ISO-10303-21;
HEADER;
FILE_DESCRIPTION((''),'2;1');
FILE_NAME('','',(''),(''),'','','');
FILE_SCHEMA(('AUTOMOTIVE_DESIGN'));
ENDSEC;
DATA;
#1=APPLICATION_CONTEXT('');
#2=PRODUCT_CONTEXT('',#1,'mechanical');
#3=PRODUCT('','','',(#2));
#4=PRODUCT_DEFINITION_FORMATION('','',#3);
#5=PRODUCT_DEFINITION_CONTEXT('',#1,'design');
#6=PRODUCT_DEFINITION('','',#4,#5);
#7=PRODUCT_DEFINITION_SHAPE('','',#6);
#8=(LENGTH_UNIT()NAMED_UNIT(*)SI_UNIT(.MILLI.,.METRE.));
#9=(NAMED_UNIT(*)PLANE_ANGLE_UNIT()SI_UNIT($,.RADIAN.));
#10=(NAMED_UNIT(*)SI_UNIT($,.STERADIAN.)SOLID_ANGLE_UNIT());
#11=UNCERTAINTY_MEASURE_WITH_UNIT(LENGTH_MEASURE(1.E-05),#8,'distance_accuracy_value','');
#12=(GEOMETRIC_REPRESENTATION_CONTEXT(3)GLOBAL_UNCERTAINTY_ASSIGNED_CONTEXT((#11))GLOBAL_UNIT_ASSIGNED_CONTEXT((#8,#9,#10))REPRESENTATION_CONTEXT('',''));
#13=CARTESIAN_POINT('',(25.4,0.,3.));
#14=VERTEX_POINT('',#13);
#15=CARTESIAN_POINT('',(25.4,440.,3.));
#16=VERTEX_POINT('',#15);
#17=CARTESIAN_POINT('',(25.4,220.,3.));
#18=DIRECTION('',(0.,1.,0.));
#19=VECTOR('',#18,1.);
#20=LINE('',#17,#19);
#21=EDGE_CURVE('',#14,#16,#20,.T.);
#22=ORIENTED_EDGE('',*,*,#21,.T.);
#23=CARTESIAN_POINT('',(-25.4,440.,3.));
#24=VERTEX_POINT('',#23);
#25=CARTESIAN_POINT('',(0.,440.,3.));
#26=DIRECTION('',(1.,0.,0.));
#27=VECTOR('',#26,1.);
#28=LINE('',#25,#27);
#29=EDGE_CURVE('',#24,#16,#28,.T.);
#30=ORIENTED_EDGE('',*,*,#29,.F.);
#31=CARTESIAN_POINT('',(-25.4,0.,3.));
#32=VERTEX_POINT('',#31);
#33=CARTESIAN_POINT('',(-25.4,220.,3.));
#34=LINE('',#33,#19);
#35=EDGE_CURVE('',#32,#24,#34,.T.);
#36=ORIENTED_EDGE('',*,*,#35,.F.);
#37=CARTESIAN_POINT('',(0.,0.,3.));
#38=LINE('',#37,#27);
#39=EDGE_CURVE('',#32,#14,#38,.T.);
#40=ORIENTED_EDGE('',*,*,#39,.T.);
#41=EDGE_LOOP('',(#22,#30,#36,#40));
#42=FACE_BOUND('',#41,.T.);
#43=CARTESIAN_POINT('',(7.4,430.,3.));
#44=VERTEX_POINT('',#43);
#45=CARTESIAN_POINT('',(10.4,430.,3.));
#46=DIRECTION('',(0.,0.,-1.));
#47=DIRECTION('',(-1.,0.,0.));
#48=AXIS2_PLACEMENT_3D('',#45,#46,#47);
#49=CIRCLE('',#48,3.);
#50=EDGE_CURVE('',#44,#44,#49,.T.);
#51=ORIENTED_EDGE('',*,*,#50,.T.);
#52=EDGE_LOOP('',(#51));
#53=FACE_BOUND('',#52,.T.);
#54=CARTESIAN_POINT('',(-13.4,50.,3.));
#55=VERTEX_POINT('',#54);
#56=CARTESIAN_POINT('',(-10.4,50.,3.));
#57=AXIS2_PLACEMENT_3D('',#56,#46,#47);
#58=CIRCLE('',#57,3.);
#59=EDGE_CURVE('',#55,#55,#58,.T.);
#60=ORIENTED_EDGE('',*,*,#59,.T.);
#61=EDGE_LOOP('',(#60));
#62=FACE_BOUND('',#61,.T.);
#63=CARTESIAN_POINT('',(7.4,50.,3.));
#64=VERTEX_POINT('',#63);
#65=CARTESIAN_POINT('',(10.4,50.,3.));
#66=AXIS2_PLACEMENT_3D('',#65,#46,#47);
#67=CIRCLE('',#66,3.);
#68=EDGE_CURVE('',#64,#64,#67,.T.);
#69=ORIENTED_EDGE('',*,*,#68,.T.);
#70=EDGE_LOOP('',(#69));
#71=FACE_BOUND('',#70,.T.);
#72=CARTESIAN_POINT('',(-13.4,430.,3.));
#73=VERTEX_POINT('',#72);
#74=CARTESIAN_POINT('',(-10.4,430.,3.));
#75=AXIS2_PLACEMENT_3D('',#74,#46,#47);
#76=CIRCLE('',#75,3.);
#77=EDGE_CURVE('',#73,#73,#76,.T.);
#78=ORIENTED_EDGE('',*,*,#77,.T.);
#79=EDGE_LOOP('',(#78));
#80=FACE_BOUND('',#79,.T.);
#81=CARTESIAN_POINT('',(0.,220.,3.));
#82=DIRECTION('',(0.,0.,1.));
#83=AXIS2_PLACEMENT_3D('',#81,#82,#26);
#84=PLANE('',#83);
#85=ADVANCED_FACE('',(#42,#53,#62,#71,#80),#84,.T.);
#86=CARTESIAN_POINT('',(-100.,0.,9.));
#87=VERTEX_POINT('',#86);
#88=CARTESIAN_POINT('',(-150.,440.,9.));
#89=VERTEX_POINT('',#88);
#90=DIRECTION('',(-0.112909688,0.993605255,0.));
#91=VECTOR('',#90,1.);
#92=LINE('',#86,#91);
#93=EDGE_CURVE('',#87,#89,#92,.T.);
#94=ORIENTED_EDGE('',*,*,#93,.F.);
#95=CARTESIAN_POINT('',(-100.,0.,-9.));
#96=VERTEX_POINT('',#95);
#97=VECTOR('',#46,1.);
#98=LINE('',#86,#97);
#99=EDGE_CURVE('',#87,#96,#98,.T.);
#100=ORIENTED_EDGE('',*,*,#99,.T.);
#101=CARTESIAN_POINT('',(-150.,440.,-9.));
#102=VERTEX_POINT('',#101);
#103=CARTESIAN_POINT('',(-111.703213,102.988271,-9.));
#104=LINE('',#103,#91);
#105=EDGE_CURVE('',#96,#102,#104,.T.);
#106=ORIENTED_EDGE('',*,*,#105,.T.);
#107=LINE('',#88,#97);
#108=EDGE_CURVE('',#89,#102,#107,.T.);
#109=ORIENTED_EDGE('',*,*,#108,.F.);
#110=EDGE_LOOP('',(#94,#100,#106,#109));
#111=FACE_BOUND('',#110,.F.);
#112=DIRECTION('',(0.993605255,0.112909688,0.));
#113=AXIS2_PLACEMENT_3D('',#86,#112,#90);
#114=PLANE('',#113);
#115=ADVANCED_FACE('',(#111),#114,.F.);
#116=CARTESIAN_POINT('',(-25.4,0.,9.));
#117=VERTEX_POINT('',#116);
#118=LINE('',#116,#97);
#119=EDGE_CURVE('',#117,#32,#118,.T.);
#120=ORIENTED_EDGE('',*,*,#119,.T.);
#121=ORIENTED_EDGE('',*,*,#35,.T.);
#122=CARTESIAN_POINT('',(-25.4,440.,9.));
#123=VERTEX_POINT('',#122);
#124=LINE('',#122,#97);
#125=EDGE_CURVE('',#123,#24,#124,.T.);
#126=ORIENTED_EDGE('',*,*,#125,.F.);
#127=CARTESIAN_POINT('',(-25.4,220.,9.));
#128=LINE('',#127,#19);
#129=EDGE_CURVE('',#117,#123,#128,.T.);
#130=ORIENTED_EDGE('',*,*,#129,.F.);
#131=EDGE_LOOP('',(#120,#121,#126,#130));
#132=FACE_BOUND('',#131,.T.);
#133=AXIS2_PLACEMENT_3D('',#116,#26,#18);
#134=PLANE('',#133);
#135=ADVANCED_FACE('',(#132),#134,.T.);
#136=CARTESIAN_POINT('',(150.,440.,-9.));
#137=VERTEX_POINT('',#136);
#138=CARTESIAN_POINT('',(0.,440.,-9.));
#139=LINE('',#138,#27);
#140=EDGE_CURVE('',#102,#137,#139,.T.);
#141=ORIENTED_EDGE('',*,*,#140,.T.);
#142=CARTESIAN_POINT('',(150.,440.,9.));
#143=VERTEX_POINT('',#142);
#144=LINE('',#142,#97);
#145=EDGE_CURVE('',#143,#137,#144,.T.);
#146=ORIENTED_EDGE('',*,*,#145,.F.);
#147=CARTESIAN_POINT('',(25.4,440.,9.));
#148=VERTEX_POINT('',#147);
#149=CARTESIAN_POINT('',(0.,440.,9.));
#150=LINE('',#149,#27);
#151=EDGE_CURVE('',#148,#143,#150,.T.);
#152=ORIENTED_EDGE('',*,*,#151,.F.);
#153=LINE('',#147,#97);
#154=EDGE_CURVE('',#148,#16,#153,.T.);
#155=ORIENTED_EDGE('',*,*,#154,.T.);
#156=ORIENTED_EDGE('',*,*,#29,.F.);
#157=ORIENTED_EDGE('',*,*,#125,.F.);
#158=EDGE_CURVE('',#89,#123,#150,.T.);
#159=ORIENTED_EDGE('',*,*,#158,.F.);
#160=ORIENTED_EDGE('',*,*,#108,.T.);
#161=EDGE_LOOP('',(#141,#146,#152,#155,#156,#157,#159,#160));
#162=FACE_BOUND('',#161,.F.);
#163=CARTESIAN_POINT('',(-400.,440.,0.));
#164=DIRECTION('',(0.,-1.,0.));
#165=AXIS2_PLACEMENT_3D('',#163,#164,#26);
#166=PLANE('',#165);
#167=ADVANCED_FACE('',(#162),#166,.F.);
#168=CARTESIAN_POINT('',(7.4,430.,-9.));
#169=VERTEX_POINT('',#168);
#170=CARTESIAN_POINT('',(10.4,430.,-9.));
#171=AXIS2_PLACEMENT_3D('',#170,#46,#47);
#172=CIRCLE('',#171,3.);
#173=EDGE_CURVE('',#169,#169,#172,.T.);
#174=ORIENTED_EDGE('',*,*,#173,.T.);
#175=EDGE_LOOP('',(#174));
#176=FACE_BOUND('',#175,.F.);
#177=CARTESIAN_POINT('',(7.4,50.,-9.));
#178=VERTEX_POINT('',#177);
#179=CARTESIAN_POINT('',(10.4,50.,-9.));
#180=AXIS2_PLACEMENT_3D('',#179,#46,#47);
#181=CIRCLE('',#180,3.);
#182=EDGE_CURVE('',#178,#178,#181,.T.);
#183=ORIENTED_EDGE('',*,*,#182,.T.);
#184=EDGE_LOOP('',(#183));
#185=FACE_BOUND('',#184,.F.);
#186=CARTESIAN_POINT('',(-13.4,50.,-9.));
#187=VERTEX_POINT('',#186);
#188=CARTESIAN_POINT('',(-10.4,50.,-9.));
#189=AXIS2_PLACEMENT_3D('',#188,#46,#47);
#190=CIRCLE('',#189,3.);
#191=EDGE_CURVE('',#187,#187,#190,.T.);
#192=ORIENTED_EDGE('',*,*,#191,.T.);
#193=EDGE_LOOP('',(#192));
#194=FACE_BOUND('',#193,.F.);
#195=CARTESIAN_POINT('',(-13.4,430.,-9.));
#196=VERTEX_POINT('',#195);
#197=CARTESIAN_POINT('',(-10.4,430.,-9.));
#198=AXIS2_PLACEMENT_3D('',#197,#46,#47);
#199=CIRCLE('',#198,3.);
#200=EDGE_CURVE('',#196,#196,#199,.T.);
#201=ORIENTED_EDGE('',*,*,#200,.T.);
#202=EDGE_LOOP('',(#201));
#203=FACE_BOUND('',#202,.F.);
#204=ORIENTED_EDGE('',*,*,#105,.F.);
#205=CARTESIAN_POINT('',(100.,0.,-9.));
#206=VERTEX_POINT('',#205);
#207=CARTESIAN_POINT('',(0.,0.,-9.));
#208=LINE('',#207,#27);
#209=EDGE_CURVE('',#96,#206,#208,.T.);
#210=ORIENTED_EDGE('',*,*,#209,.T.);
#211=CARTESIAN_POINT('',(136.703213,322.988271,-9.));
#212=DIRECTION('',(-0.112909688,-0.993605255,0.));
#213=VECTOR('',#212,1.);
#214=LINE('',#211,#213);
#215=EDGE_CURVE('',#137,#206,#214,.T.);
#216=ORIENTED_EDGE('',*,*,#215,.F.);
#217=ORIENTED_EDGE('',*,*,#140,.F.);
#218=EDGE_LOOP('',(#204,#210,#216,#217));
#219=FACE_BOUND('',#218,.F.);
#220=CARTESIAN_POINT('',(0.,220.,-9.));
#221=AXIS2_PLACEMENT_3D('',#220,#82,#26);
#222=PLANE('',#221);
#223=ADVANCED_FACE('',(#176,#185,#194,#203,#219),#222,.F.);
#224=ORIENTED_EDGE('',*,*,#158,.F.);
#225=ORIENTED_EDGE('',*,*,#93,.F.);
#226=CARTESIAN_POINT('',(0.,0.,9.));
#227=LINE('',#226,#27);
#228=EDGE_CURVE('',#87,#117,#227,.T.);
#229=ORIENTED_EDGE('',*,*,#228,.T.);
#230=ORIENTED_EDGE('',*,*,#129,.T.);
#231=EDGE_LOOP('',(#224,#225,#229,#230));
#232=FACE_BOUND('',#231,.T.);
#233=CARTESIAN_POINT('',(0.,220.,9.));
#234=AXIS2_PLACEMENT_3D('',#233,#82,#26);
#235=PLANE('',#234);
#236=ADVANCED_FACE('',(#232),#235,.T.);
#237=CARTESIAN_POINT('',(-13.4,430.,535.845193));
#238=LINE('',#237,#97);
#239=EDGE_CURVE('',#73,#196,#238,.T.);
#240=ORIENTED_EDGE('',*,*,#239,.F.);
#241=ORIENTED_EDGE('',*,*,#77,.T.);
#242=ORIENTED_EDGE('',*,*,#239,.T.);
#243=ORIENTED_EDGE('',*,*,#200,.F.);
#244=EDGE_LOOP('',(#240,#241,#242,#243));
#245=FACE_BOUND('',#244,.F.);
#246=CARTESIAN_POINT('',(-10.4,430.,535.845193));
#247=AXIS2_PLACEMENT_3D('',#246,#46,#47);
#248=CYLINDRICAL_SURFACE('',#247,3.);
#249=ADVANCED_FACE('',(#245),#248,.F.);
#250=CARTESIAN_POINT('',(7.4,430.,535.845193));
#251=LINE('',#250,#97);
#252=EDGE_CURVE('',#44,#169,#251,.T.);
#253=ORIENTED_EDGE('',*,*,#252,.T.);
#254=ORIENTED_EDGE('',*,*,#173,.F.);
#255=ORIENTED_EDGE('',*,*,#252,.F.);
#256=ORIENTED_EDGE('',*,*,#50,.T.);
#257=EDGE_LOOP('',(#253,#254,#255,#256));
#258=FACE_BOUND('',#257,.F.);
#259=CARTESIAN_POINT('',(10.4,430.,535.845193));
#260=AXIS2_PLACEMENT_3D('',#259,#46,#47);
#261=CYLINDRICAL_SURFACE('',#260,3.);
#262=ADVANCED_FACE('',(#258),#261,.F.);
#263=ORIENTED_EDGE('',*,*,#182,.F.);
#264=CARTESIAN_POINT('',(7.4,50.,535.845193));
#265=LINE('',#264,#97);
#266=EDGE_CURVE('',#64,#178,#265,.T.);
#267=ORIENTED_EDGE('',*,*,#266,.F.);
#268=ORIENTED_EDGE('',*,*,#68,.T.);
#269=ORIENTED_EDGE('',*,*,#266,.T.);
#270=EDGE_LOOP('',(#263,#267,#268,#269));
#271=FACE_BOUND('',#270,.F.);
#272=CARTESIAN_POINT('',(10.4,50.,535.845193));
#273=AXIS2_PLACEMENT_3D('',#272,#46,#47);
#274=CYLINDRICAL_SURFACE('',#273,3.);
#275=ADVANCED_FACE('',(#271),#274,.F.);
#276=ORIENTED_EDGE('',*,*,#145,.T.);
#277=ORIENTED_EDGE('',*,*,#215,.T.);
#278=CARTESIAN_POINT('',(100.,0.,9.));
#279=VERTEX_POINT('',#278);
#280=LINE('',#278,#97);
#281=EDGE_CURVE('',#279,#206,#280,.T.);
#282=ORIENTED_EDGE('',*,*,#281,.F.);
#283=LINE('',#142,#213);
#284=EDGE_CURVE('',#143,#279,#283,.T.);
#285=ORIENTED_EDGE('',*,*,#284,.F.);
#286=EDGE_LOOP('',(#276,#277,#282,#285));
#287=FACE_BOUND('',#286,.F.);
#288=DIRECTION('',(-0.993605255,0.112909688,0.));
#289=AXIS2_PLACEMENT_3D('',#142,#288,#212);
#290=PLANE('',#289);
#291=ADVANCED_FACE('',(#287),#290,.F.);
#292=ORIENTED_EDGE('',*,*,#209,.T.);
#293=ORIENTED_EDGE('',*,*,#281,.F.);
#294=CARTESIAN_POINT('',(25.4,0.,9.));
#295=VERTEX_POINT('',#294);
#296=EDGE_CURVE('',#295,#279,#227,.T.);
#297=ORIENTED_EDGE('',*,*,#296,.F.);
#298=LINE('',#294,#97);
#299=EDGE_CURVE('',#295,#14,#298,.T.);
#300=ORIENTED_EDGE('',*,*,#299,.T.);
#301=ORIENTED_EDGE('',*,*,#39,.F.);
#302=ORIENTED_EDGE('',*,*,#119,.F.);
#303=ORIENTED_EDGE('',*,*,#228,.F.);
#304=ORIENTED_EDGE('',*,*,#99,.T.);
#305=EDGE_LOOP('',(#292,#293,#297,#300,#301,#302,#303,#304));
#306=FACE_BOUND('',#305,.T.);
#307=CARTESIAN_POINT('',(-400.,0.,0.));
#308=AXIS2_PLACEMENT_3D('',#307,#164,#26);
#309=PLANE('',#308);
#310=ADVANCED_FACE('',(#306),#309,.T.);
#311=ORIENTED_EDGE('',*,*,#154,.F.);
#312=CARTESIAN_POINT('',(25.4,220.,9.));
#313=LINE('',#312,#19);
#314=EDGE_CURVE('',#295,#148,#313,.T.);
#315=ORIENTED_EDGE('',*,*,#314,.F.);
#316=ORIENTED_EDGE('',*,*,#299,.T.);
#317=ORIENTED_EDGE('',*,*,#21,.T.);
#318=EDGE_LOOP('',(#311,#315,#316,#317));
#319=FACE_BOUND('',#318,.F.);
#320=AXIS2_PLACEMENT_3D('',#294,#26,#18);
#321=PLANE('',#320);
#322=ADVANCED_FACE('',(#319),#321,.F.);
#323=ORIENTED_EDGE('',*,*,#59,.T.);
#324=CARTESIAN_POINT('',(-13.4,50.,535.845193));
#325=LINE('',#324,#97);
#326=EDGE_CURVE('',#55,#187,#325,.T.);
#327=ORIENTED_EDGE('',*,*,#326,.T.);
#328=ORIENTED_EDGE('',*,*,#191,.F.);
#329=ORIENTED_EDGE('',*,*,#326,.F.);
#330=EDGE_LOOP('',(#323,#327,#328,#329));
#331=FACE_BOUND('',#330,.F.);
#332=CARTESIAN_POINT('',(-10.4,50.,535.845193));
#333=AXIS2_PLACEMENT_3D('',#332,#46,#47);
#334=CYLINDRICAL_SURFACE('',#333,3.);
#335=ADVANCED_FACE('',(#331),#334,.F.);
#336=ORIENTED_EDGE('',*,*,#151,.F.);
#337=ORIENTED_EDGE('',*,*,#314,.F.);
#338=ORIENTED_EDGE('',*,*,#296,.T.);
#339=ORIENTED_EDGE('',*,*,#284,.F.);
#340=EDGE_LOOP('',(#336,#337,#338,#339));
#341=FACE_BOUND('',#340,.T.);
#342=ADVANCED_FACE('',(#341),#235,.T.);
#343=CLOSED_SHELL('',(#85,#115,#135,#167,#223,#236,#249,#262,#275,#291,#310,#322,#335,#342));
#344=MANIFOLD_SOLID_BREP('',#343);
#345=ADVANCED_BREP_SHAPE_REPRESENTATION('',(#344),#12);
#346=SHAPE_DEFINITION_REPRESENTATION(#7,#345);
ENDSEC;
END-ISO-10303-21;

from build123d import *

# Parameters (mm, degrees)
F0_W     = 800
F0_H     = 440
F1_DEPTH = 9
F3_DEPTH = 40
F4_W     = 50.8
F4_H     = 440
F5_DEPTH = 6
F7_D     = 6


with BuildPart() as f1:
    # F0 (on Top) → F1 (new body, symmetric)
    with BuildSketch(Plane.XY):
        with Locations((0, 220)):
            Rectangle(F0_W, F0_H)
    extrude(amount=F1_DEPTH, both=True)

    # F2 (on face) → F3 (cut)
    with BuildSketch(Plane.XY.offset(9)):
        Polygon((-400, 0), (-100, 0), (-150, 440), (-400, 440), align=None)
        Polygon((150, 440), (100, 0), (400, 0), (400, 440), align=None)
    extrude(amount=-F3_DEPTH, mode=Mode.SUBTRACT)

    # F4 (on face) → F5 (cut)
    with BuildSketch(Plane.XY.offset(9)):
        with Locations((0, 220)):
            Rectangle(F4_W, F4_H)
    extrude(amount=-F5_DEPTH, mode=Mode.SUBTRACT)

    # F7 (through all)
    with Locations(Plane.XY.offset(3)):
        with Locations((-10.4, 430), (10.4, 430), (10.4, 50), (-10.4, 50)):
            Hole(F7_D / 2)


solid = f1.part
